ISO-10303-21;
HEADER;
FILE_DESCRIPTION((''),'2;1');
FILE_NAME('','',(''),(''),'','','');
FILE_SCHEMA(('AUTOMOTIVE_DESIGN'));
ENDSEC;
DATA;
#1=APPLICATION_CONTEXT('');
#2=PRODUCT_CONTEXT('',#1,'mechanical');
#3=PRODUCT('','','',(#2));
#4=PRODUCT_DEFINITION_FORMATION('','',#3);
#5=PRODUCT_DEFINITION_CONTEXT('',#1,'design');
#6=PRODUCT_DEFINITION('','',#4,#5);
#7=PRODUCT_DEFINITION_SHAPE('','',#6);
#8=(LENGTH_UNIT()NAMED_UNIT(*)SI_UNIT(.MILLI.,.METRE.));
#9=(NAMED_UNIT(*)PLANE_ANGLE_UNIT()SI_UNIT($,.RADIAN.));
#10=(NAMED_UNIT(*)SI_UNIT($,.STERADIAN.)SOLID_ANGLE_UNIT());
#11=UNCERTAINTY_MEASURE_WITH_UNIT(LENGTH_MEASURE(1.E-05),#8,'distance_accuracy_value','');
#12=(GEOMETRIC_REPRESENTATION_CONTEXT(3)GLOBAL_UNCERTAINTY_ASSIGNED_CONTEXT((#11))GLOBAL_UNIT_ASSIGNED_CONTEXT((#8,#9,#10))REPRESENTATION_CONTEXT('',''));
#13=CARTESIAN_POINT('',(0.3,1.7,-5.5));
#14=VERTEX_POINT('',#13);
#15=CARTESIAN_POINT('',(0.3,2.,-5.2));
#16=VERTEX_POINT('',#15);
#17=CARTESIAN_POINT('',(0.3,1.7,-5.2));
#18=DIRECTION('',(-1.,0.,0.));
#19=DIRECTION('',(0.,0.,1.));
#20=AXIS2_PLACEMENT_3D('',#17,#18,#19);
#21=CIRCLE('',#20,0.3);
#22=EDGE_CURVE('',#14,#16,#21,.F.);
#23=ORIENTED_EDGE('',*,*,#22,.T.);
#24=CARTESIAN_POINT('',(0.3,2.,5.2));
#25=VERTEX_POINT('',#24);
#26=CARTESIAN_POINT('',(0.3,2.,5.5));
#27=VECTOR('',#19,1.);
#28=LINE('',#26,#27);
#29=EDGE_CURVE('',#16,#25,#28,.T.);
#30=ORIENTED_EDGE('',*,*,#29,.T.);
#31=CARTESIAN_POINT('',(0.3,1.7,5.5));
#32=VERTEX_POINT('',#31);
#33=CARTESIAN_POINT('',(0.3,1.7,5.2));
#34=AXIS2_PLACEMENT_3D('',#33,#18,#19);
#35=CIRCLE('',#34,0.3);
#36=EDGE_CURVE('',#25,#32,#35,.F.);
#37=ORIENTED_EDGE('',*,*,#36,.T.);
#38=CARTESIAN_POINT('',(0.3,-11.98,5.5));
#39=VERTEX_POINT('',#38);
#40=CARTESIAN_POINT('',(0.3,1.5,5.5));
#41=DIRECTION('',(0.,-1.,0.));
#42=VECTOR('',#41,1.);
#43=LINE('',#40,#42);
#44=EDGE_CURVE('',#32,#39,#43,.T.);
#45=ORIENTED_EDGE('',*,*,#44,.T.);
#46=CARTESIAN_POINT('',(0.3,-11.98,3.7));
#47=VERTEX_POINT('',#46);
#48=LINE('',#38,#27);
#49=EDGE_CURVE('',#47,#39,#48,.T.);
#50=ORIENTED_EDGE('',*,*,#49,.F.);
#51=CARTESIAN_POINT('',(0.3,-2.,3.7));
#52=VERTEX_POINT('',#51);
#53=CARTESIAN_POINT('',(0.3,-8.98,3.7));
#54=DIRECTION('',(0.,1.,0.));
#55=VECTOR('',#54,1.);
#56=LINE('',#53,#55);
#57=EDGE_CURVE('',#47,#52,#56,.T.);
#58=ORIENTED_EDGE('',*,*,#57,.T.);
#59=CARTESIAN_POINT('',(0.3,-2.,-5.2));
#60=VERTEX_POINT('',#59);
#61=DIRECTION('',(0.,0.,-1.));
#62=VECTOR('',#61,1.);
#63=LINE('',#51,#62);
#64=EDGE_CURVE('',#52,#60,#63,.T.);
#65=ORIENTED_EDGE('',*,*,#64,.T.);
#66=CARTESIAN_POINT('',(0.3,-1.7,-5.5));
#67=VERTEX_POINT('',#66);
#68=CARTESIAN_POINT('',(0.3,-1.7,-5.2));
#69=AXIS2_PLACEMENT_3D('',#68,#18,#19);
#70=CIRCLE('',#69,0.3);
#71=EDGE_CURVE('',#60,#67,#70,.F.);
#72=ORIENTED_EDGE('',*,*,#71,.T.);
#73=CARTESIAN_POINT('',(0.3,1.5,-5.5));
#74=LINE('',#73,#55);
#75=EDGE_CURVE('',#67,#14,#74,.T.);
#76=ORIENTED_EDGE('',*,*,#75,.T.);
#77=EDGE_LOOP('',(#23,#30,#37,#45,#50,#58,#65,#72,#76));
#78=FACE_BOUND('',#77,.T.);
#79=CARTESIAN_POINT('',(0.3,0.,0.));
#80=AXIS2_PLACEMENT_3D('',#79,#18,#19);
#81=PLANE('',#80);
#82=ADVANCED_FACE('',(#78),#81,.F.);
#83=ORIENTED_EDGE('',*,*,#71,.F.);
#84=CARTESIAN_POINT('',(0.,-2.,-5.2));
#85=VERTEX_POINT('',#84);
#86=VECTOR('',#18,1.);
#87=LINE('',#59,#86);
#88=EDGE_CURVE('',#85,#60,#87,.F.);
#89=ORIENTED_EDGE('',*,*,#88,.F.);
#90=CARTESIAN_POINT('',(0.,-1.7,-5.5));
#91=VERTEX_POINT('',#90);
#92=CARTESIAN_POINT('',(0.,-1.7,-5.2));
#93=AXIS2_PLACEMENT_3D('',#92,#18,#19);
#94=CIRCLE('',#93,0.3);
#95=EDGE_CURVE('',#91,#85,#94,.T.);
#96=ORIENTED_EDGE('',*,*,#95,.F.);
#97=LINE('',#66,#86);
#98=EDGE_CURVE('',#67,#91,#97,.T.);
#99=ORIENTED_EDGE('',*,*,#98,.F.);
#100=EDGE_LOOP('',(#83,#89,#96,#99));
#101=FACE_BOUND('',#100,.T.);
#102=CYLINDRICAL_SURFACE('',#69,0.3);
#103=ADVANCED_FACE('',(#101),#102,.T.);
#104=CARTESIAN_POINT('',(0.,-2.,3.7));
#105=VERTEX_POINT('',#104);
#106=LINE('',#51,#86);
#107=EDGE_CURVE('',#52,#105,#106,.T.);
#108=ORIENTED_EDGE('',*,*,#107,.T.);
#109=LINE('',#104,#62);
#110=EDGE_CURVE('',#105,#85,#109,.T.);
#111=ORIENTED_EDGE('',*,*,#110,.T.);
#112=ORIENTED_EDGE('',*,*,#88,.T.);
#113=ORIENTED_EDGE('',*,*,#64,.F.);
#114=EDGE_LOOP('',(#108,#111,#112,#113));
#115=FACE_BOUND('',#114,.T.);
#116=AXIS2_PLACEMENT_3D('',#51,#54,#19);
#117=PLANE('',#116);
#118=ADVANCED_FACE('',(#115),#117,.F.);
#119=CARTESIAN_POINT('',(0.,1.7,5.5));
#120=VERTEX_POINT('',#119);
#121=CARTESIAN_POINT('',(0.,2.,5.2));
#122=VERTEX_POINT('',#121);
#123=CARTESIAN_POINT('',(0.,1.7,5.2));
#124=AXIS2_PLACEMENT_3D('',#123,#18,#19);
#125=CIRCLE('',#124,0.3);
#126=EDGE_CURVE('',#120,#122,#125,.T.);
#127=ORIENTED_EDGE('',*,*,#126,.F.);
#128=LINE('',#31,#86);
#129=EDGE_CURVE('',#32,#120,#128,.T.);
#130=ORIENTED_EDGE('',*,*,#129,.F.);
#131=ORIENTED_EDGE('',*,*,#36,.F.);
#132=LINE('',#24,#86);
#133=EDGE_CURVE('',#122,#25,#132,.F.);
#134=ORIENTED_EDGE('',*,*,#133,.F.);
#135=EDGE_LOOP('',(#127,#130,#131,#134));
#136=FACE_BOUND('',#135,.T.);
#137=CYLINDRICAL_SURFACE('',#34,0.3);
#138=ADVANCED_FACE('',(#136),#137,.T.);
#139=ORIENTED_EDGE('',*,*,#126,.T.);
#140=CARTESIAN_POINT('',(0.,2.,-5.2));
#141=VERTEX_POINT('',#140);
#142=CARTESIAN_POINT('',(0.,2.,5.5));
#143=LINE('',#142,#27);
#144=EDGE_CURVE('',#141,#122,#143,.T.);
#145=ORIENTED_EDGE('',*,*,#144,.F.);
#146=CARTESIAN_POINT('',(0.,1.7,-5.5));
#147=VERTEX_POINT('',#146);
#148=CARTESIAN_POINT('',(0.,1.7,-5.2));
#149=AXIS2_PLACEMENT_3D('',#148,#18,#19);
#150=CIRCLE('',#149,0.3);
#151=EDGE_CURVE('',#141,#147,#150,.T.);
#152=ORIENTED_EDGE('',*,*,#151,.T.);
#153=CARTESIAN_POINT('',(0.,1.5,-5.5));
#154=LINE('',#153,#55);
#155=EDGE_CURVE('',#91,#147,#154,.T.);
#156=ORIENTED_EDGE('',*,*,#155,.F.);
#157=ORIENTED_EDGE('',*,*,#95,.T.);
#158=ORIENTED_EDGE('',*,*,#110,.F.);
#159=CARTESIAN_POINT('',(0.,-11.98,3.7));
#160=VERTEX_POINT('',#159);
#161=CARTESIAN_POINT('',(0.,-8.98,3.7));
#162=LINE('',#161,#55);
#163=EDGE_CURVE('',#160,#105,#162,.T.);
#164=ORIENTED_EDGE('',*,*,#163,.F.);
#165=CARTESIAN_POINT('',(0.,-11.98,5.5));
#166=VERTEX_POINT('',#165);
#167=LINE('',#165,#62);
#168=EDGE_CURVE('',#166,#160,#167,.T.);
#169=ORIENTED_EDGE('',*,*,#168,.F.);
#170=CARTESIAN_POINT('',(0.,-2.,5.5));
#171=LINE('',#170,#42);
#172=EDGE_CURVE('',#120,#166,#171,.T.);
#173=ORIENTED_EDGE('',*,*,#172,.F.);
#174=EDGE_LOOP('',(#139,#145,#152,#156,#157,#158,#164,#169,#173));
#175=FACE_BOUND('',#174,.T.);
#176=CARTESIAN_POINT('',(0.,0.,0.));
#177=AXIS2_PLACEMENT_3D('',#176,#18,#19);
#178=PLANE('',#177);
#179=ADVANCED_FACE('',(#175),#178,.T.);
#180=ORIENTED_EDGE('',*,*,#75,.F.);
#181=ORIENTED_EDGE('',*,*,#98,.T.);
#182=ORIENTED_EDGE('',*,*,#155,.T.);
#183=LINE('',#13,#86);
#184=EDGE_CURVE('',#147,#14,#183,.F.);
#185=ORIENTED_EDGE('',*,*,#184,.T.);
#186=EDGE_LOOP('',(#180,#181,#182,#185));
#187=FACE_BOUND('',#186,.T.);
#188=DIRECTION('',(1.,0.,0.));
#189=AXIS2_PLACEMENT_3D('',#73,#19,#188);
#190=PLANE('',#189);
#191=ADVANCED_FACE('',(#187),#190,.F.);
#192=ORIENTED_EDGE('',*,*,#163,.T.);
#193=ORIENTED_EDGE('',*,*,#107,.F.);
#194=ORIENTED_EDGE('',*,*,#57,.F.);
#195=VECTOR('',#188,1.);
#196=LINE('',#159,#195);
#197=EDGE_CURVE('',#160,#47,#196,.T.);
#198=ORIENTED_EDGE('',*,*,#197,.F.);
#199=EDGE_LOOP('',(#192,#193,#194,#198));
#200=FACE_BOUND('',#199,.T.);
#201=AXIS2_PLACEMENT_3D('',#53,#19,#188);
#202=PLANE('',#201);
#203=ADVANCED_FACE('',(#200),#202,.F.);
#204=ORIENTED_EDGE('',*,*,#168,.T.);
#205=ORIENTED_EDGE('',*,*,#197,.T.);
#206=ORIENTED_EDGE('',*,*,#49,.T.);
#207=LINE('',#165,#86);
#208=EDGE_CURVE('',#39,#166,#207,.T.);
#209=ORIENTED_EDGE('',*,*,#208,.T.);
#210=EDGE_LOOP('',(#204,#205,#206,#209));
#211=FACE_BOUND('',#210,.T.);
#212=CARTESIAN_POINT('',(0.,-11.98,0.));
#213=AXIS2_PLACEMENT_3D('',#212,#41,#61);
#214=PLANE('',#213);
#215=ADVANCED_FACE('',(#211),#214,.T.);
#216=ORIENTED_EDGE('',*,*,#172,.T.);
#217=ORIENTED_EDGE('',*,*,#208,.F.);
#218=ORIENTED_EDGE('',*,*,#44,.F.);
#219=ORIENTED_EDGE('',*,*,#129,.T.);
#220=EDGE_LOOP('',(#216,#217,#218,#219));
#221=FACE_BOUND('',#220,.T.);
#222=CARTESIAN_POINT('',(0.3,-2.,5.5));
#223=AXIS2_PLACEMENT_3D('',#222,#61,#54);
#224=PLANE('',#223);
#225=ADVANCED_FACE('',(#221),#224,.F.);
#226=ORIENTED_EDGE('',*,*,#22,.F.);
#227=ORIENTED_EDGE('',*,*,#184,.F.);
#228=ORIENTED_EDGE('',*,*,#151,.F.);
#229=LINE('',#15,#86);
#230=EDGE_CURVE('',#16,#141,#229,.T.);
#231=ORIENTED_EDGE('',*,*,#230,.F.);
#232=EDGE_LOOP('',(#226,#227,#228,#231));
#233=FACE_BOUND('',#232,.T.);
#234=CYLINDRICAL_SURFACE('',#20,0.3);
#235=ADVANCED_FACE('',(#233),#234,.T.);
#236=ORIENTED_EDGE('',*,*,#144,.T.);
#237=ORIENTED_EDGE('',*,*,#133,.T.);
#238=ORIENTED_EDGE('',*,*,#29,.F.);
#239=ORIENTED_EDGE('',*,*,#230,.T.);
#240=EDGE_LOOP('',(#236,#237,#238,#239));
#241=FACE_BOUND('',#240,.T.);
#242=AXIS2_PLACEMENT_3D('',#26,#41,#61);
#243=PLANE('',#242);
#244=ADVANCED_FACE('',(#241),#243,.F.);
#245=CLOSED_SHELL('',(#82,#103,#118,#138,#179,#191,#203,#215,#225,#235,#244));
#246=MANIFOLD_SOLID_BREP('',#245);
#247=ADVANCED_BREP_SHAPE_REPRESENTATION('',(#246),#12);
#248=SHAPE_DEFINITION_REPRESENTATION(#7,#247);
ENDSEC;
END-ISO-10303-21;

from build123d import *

# Parameters (mm, degrees)
EXTRUDE_1_DEPTH = 0.3
FILLET_1_R      = 0.3
SKETCH_4_W      = 0.3
SKETCH_4_H      = 1.8
EXTRUDE_3_DEPTH = 3


with BuildPart() as part:
    # 草图1 → 凸台-拉伸1 (new body)
    with BuildSketch(Plane(origin=(0, 0, 0), x_dir=(0, 0, -1), z_dir=(1, 0, 0))):
        Polygon((-5.5, -2), (-5.5, -1.5), (-5.5, -0.5), (-5.5, 0.5), (-5.5, 1.5), (-5.5, 2), (5.5, 2), (5.5, 1.5), (5.5, 0.5), (5.5, -0.5), (5.5, -1.5), (5.5, -2), (-3.7, -2), (-3.7, -8.98), (-5.5, -8.98), align=None)
    extrude(amount=EXTRUDE_1_DEPTH)

    # 圆角1
    fillet_1_edges = [part.edges().sort_by_distance(p)[0] for p in [
        (0.15, -2, -5.5),
        (0.15, 2, 5.5),
        (0.15, 2, -5.5),
    ]]
    fillet(fillet_1_edges, radius=FILLET_1_R)

    # 草图4 → 凸台-拉伸3 (add)
    with BuildSketch(Plane.XZ.offset(8.98)):
        with Locations((0.15, 4.6)):
            Rectangle(SKETCH_4_W, SKETCH_4_H)
    extrude(amount=EXTRUDE_3_DEPTH)


solid = part.part
